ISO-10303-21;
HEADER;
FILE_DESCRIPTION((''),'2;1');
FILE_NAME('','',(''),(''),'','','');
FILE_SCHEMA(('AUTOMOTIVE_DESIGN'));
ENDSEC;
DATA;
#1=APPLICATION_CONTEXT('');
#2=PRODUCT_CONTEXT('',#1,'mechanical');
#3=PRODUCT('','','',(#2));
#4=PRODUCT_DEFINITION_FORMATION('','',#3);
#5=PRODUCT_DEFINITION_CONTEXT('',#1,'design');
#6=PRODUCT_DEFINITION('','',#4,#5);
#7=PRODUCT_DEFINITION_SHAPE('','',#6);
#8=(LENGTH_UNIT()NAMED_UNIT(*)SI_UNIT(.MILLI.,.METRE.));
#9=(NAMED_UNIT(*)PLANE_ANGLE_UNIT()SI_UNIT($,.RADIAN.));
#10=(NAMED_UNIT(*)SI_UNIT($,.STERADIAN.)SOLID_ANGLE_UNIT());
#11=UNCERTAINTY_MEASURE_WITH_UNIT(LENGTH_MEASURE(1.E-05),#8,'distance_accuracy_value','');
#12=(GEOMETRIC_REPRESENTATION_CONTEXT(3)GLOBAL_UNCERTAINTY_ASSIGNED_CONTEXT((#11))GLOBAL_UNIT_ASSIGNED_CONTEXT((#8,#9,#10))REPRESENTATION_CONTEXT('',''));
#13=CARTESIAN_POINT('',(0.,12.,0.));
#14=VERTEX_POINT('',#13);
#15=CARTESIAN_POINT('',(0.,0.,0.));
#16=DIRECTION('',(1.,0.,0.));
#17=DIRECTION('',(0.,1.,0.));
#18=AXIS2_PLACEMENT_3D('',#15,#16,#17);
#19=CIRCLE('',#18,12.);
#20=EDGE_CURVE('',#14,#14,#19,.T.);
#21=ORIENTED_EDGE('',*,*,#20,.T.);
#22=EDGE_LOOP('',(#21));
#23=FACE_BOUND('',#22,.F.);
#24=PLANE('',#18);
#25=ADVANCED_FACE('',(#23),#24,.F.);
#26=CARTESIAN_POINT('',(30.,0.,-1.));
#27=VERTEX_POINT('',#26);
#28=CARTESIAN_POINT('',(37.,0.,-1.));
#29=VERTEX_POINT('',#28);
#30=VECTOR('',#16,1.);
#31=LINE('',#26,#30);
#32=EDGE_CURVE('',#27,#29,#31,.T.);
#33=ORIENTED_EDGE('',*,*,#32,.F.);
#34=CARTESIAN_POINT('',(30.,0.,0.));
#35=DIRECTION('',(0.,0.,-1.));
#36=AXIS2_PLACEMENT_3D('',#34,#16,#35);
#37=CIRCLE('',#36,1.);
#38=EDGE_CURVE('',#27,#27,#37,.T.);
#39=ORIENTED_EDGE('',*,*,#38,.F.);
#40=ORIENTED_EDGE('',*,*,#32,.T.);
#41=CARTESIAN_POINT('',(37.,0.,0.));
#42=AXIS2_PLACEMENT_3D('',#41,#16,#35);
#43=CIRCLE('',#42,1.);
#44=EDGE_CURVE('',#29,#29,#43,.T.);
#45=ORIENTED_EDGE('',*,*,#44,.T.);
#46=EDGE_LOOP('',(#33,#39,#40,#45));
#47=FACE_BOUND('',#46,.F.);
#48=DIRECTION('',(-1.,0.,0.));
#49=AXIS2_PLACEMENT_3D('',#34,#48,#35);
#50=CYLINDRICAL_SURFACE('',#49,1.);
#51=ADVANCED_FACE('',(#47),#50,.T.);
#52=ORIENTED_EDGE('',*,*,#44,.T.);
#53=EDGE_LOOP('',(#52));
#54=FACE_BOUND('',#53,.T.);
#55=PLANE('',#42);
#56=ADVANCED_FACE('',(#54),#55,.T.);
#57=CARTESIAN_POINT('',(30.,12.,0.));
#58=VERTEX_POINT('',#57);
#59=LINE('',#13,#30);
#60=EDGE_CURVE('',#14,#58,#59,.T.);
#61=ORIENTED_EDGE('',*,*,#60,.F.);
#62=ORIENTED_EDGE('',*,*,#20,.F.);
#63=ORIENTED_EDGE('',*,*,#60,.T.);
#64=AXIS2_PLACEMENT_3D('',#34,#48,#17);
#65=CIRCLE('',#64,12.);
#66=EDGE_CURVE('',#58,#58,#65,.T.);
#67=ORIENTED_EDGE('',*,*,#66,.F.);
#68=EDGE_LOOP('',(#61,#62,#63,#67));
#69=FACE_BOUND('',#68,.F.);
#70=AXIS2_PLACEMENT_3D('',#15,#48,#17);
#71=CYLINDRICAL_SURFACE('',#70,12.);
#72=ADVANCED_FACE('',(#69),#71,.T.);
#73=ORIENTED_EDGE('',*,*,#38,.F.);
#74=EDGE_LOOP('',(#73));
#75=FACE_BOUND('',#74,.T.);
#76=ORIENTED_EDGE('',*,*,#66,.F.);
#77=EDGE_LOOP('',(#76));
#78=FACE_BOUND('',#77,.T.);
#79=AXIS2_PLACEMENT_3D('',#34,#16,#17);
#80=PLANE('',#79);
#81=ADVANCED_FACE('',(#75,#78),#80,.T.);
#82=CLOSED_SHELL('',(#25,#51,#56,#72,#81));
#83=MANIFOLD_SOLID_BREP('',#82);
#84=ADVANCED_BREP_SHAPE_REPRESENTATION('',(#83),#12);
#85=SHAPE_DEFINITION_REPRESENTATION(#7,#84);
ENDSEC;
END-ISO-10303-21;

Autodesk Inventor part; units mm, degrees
ref_plane "YZ Plane" through (0, 0, 0) normal (1, 0, 0) x (0, 1, 0)
ref_plane "XZ Plane" through (0, 0, 0) normal (0, 1, 0) x (-1, 0, 0)
ref_plane "XY Plane" through (0, 0, 0) normal (0, 0, 1) x (1, 0, 0)
sketch "Skizze1" plane through (0, 0, 0) normal (1, 0, 0) x (0, 1, 0)
  circle A0 centre (0, 0) radius 12
  line L0 (-7.8852, 9.0456) -> (7.8852, 9.0456)
  line L1 (-7.8852, -9.0456) -> (7.8852, -9.0456)
  dimension "d0" = 24
extrude "Extrusion1" add sketch "Skizze1" along normal blind 30
sketch "Skizze2" plane through (30, 0, 0) normal (1, 0, 0) x (0, 0, -1)
  circle A0 centre (0, 0) radius 12 projected
  circle A1 centre (0, 0) radius 1
  dimension "d3" = 2
extrude "Extrusion2" add sketch "Skizze2" along normal blind 7 contours A1
properties part number "motor"
